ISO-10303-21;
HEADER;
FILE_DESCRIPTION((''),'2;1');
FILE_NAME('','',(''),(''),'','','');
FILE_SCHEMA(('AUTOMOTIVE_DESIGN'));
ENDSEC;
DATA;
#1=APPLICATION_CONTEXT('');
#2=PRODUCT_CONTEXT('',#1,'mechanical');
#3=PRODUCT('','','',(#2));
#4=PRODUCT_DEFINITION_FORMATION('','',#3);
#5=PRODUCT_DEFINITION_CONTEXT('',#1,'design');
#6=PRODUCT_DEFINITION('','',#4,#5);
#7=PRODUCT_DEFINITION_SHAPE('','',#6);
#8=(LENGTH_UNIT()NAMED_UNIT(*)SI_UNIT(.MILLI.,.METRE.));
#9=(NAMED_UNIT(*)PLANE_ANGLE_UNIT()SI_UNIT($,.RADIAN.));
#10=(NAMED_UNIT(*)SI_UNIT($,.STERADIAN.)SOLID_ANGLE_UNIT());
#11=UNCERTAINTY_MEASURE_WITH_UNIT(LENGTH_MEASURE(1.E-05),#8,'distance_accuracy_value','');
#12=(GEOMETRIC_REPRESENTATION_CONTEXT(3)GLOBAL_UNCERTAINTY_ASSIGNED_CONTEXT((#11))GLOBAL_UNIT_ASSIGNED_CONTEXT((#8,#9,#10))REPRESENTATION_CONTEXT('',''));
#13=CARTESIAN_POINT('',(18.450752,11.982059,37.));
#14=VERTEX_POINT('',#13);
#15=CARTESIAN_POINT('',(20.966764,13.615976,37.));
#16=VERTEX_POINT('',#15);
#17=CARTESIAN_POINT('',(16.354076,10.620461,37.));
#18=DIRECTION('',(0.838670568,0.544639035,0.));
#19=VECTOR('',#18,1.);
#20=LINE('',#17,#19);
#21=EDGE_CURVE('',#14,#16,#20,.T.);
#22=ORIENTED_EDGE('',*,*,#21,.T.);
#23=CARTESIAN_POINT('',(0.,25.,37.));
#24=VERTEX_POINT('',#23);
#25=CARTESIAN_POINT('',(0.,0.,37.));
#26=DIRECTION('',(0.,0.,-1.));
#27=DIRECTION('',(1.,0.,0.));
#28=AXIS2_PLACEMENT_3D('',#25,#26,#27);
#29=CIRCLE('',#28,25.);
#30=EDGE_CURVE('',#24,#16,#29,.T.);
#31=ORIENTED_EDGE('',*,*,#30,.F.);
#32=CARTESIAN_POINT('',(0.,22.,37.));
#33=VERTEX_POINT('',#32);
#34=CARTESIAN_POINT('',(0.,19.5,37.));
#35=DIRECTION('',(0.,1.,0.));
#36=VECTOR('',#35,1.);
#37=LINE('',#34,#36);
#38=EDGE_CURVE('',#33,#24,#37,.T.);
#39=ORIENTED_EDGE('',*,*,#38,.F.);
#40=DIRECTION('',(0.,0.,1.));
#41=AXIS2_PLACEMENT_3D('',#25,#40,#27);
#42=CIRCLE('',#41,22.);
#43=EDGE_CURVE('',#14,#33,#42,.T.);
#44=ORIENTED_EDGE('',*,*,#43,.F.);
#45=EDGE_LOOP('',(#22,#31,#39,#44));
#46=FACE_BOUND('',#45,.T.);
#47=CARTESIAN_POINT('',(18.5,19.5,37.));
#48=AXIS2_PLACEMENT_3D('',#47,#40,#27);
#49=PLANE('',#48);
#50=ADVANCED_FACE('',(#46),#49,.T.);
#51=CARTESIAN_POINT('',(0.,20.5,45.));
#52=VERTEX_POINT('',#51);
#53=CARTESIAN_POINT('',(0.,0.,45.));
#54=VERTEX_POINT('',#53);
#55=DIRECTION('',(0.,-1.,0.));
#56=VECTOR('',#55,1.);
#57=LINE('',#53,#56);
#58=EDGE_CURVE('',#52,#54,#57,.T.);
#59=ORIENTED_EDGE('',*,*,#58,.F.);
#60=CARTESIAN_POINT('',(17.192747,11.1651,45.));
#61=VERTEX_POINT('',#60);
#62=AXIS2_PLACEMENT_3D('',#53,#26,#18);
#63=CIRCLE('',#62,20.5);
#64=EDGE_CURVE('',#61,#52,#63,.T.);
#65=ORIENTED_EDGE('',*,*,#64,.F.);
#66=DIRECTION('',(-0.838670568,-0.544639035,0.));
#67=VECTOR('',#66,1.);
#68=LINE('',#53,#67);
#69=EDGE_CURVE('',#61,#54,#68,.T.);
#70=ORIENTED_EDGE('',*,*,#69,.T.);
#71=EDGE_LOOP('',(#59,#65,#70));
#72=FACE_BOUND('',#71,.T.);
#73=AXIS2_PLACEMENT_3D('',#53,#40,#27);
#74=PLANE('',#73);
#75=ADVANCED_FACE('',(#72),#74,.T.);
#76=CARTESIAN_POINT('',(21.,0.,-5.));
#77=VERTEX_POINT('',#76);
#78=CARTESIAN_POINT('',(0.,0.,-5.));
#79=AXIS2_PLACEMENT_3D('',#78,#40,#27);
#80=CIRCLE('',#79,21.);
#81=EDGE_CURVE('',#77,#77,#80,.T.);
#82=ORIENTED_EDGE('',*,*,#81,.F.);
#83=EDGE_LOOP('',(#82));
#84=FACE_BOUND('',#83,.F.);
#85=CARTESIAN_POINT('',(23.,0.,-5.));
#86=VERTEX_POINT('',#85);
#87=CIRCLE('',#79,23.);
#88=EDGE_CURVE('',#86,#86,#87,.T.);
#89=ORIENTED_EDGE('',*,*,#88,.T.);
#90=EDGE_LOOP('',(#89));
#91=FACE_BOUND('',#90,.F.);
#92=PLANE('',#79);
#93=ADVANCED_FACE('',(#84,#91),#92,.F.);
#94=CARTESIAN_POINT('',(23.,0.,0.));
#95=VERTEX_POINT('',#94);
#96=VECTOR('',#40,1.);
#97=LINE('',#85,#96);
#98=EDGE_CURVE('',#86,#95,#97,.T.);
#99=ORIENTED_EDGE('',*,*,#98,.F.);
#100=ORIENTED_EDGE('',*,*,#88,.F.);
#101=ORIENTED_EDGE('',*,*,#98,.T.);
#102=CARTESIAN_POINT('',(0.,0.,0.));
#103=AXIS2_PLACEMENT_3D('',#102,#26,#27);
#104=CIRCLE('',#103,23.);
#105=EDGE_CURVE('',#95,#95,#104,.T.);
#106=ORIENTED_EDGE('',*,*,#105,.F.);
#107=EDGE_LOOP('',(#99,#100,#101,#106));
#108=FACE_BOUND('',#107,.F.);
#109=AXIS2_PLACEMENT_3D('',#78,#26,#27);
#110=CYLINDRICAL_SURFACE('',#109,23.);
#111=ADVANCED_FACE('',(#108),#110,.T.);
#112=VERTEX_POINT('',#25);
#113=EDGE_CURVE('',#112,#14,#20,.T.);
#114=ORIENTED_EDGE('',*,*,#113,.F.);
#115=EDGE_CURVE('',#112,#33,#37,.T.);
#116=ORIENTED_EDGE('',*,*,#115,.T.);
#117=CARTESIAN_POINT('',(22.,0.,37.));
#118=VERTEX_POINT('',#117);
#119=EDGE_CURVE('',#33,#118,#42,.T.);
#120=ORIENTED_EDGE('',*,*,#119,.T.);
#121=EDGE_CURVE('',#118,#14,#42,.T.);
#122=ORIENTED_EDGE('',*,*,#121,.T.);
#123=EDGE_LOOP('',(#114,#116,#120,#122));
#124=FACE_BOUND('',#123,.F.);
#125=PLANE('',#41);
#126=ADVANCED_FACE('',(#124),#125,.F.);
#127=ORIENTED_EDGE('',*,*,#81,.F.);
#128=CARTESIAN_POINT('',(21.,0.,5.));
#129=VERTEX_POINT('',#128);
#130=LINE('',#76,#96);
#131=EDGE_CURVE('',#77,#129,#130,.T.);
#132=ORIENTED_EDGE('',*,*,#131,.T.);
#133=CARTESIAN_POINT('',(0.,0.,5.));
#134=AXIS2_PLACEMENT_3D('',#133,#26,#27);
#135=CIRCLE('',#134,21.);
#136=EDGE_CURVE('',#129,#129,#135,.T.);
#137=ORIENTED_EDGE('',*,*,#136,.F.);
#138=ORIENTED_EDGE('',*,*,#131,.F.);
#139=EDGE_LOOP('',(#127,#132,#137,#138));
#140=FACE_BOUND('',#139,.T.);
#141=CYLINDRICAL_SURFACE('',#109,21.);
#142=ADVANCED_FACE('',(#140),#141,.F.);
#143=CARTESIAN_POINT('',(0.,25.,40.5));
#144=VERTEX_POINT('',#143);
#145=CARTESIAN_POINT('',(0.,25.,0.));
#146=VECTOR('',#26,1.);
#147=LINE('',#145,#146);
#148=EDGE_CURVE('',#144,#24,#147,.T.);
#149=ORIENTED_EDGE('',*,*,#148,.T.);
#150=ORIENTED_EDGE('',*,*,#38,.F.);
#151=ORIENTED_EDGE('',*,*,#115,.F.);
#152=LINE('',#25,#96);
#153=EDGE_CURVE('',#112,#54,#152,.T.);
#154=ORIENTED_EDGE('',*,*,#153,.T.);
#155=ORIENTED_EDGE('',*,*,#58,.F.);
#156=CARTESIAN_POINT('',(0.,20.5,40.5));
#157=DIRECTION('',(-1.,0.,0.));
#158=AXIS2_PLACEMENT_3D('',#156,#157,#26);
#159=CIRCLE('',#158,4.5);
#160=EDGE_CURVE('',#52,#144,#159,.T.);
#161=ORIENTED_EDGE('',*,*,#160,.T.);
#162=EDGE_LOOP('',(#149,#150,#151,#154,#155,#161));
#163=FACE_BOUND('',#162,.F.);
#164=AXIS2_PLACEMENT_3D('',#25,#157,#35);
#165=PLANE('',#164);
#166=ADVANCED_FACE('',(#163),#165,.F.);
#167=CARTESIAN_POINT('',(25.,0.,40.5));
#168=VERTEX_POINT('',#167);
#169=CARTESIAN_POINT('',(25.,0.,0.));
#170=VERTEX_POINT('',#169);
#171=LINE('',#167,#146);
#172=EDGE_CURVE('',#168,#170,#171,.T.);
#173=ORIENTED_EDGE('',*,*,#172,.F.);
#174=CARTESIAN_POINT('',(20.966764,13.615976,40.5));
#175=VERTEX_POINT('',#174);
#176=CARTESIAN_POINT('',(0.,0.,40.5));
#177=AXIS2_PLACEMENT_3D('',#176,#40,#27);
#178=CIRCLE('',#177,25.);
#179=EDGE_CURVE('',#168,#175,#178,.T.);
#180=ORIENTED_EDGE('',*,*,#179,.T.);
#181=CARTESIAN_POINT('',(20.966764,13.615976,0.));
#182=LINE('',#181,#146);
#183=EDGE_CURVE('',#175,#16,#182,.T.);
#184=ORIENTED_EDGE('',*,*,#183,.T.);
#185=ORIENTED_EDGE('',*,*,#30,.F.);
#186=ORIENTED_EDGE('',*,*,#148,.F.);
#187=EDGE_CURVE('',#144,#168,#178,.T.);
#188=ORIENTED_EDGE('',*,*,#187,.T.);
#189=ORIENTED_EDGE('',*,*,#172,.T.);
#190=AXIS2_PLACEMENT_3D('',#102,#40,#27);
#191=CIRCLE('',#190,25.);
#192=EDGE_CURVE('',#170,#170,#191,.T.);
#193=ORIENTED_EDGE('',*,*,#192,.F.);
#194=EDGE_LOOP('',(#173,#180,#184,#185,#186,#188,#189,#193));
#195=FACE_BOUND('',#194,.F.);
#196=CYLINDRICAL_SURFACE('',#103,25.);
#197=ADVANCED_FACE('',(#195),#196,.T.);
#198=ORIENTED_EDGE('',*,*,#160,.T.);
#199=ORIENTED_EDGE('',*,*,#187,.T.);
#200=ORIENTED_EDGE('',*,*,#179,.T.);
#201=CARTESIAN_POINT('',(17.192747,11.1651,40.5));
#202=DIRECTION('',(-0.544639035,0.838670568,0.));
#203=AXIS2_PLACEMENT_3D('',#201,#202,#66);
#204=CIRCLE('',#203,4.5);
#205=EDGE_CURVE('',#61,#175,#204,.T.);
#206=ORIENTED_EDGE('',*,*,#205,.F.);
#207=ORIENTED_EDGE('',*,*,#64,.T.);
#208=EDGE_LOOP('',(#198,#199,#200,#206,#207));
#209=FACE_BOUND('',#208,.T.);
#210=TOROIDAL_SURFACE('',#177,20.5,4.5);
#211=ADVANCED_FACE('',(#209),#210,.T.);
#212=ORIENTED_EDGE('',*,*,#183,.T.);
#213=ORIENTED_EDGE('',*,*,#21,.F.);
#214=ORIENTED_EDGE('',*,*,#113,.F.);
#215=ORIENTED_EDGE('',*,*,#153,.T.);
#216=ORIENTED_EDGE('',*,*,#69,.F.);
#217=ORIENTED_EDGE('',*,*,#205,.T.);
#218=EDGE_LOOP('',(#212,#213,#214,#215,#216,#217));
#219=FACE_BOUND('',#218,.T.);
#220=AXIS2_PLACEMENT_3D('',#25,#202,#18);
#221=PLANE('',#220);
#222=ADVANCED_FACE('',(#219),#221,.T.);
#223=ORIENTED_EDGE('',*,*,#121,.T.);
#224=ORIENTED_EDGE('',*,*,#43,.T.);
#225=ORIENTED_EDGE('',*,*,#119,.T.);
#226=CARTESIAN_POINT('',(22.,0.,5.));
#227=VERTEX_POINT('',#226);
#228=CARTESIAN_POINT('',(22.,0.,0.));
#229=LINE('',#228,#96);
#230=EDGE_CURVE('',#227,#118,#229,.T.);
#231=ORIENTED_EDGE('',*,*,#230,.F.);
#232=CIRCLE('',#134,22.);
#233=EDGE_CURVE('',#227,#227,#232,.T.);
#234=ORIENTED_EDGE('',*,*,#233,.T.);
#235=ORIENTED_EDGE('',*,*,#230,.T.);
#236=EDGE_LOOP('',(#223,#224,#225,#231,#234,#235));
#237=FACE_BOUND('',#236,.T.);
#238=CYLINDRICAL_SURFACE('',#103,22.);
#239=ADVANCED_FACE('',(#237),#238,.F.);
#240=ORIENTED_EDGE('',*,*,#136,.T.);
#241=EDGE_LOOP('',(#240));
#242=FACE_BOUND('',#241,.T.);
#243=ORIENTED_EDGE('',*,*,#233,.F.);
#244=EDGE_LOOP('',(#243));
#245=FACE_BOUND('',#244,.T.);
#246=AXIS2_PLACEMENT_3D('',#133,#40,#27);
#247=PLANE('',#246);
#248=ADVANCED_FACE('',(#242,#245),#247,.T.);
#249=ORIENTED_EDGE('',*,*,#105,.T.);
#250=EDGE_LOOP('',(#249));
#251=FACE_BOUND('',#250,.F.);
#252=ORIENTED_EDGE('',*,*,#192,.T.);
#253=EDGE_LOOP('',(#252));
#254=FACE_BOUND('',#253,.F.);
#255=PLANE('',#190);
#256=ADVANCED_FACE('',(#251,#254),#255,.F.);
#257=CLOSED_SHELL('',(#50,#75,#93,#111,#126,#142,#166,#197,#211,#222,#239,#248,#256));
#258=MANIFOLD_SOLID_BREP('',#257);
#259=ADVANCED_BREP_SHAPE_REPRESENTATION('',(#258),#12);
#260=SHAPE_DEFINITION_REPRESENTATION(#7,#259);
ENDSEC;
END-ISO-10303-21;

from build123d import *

# Parameters (mm, degrees)
BOX001_W               = 37
BOX001_H               = 39
BOX001_DEPTH           = 10
BOX001_PLACEMENT_ANGLE = 57
BOX_W                  = 37
BOX_H                  = 39
BOX_DEPTH              = 10
CYLINDER001_R          = 22
CYLINDER001_DEPTH      = 37
CYLINDER_R             = 25
CYLINDER_DEPTH         = 40
CYLINDER004_R          = 21
CYLINDER004_DEPTH      = 21
CYLINDER003_R          = 23
CYLINDER003_DEPTH      = 10
CYLINDER002_R          = 25
CYLINDER002_DEPTH      = 5
FILLET_R               = 4.5


with BuildPart() as cubo001:
    # Box001 → Box001 (new body)
    with BuildSketch(Plane.XY):
        with Locations((18.5, 19.5)):
            Rectangle(BOX001_W, BOX001_H)
    extrude(amount=BOX001_DEPTH)


with BuildPart() as cubo001_1:
    # Box001 placement: moved
    add(cubo001.part.moved(Location((0, 0, 37))).rotate(Axis((0, 0, 37), (0, 0, -1)), BOX001_PLACEMENT_ANGLE))


with BuildPart() as cut002:
    # Box → Box (new body)
    with BuildSketch(Plane.XY.offset(37)):
        with Locations((18.5, 19.5)):
            Rectangle(BOX_W, BOX_H)
    extrude(amount=BOX_DEPTH)

    # Cut002: cut Cubo001
    add(cubo001_1.part, mode=Mode.SUBTRACT)


with BuildPart() as cilindro001:
    # Cylinder001 → Cylinder001 (new body)
    with BuildSketch(Plane.XY):
        Circle(CYLINDER001_R)
    extrude(amount=CYLINDER001_DEPTH)


with BuildPart() as cut:
    # Cylinder → Cylinder (new body)
    with BuildSketch(Plane.XY):
        Circle(CYLINDER_R)
    extrude(amount=CYLINDER_DEPTH)

    # Cut: cut Cilindro001
    add(cilindro001.part, mode=Mode.SUBTRACT)


with BuildPart() as cilindro004:
    # Cylinder004 → Cylinder004 (new body)
    with BuildSketch(Plane.XY):
        Circle(CYLINDER004_R)
    extrude(amount=CYLINDER004_DEPTH)


with BuildPart() as cut001:
    # Cylinder003 → Cylinder003 (new body)
    with BuildSketch(Plane.XY):
        Circle(CYLINDER003_R)
    extrude(amount=CYLINDER003_DEPTH)

    # Cut001: cut Cilindro004
    add(cilindro004.part, mode=Mode.SUBTRACT)


with BuildPart() as cut001_1:
    # Cut001 placement: moved
    add(cut001.part.moved(Location((0, 0, -5))))


with BuildPart() as cut003:
    # Cylinder002 → Cylinder002 (new body)
    with BuildSketch(Plane.XY.offset(40)):
        Circle(CYLINDER002_R)
    extrude(amount=CYLINDER002_DEPTH)

    # Fillet
    fillet_edges = [cut003.edges().sort_by_distance(p)[0] for p in [
        (-25, 0, 45),
    ]]
    fillet(fillet_edges, radius=FILLET_R)

    # Fusion: union Cut, Cut001
    add(cut.part)
    add(cut001_1.part)

    # Cut003: cut Cut002
    add(cut002.part, mode=Mode.SUBTRACT)


solid = cut003.part
